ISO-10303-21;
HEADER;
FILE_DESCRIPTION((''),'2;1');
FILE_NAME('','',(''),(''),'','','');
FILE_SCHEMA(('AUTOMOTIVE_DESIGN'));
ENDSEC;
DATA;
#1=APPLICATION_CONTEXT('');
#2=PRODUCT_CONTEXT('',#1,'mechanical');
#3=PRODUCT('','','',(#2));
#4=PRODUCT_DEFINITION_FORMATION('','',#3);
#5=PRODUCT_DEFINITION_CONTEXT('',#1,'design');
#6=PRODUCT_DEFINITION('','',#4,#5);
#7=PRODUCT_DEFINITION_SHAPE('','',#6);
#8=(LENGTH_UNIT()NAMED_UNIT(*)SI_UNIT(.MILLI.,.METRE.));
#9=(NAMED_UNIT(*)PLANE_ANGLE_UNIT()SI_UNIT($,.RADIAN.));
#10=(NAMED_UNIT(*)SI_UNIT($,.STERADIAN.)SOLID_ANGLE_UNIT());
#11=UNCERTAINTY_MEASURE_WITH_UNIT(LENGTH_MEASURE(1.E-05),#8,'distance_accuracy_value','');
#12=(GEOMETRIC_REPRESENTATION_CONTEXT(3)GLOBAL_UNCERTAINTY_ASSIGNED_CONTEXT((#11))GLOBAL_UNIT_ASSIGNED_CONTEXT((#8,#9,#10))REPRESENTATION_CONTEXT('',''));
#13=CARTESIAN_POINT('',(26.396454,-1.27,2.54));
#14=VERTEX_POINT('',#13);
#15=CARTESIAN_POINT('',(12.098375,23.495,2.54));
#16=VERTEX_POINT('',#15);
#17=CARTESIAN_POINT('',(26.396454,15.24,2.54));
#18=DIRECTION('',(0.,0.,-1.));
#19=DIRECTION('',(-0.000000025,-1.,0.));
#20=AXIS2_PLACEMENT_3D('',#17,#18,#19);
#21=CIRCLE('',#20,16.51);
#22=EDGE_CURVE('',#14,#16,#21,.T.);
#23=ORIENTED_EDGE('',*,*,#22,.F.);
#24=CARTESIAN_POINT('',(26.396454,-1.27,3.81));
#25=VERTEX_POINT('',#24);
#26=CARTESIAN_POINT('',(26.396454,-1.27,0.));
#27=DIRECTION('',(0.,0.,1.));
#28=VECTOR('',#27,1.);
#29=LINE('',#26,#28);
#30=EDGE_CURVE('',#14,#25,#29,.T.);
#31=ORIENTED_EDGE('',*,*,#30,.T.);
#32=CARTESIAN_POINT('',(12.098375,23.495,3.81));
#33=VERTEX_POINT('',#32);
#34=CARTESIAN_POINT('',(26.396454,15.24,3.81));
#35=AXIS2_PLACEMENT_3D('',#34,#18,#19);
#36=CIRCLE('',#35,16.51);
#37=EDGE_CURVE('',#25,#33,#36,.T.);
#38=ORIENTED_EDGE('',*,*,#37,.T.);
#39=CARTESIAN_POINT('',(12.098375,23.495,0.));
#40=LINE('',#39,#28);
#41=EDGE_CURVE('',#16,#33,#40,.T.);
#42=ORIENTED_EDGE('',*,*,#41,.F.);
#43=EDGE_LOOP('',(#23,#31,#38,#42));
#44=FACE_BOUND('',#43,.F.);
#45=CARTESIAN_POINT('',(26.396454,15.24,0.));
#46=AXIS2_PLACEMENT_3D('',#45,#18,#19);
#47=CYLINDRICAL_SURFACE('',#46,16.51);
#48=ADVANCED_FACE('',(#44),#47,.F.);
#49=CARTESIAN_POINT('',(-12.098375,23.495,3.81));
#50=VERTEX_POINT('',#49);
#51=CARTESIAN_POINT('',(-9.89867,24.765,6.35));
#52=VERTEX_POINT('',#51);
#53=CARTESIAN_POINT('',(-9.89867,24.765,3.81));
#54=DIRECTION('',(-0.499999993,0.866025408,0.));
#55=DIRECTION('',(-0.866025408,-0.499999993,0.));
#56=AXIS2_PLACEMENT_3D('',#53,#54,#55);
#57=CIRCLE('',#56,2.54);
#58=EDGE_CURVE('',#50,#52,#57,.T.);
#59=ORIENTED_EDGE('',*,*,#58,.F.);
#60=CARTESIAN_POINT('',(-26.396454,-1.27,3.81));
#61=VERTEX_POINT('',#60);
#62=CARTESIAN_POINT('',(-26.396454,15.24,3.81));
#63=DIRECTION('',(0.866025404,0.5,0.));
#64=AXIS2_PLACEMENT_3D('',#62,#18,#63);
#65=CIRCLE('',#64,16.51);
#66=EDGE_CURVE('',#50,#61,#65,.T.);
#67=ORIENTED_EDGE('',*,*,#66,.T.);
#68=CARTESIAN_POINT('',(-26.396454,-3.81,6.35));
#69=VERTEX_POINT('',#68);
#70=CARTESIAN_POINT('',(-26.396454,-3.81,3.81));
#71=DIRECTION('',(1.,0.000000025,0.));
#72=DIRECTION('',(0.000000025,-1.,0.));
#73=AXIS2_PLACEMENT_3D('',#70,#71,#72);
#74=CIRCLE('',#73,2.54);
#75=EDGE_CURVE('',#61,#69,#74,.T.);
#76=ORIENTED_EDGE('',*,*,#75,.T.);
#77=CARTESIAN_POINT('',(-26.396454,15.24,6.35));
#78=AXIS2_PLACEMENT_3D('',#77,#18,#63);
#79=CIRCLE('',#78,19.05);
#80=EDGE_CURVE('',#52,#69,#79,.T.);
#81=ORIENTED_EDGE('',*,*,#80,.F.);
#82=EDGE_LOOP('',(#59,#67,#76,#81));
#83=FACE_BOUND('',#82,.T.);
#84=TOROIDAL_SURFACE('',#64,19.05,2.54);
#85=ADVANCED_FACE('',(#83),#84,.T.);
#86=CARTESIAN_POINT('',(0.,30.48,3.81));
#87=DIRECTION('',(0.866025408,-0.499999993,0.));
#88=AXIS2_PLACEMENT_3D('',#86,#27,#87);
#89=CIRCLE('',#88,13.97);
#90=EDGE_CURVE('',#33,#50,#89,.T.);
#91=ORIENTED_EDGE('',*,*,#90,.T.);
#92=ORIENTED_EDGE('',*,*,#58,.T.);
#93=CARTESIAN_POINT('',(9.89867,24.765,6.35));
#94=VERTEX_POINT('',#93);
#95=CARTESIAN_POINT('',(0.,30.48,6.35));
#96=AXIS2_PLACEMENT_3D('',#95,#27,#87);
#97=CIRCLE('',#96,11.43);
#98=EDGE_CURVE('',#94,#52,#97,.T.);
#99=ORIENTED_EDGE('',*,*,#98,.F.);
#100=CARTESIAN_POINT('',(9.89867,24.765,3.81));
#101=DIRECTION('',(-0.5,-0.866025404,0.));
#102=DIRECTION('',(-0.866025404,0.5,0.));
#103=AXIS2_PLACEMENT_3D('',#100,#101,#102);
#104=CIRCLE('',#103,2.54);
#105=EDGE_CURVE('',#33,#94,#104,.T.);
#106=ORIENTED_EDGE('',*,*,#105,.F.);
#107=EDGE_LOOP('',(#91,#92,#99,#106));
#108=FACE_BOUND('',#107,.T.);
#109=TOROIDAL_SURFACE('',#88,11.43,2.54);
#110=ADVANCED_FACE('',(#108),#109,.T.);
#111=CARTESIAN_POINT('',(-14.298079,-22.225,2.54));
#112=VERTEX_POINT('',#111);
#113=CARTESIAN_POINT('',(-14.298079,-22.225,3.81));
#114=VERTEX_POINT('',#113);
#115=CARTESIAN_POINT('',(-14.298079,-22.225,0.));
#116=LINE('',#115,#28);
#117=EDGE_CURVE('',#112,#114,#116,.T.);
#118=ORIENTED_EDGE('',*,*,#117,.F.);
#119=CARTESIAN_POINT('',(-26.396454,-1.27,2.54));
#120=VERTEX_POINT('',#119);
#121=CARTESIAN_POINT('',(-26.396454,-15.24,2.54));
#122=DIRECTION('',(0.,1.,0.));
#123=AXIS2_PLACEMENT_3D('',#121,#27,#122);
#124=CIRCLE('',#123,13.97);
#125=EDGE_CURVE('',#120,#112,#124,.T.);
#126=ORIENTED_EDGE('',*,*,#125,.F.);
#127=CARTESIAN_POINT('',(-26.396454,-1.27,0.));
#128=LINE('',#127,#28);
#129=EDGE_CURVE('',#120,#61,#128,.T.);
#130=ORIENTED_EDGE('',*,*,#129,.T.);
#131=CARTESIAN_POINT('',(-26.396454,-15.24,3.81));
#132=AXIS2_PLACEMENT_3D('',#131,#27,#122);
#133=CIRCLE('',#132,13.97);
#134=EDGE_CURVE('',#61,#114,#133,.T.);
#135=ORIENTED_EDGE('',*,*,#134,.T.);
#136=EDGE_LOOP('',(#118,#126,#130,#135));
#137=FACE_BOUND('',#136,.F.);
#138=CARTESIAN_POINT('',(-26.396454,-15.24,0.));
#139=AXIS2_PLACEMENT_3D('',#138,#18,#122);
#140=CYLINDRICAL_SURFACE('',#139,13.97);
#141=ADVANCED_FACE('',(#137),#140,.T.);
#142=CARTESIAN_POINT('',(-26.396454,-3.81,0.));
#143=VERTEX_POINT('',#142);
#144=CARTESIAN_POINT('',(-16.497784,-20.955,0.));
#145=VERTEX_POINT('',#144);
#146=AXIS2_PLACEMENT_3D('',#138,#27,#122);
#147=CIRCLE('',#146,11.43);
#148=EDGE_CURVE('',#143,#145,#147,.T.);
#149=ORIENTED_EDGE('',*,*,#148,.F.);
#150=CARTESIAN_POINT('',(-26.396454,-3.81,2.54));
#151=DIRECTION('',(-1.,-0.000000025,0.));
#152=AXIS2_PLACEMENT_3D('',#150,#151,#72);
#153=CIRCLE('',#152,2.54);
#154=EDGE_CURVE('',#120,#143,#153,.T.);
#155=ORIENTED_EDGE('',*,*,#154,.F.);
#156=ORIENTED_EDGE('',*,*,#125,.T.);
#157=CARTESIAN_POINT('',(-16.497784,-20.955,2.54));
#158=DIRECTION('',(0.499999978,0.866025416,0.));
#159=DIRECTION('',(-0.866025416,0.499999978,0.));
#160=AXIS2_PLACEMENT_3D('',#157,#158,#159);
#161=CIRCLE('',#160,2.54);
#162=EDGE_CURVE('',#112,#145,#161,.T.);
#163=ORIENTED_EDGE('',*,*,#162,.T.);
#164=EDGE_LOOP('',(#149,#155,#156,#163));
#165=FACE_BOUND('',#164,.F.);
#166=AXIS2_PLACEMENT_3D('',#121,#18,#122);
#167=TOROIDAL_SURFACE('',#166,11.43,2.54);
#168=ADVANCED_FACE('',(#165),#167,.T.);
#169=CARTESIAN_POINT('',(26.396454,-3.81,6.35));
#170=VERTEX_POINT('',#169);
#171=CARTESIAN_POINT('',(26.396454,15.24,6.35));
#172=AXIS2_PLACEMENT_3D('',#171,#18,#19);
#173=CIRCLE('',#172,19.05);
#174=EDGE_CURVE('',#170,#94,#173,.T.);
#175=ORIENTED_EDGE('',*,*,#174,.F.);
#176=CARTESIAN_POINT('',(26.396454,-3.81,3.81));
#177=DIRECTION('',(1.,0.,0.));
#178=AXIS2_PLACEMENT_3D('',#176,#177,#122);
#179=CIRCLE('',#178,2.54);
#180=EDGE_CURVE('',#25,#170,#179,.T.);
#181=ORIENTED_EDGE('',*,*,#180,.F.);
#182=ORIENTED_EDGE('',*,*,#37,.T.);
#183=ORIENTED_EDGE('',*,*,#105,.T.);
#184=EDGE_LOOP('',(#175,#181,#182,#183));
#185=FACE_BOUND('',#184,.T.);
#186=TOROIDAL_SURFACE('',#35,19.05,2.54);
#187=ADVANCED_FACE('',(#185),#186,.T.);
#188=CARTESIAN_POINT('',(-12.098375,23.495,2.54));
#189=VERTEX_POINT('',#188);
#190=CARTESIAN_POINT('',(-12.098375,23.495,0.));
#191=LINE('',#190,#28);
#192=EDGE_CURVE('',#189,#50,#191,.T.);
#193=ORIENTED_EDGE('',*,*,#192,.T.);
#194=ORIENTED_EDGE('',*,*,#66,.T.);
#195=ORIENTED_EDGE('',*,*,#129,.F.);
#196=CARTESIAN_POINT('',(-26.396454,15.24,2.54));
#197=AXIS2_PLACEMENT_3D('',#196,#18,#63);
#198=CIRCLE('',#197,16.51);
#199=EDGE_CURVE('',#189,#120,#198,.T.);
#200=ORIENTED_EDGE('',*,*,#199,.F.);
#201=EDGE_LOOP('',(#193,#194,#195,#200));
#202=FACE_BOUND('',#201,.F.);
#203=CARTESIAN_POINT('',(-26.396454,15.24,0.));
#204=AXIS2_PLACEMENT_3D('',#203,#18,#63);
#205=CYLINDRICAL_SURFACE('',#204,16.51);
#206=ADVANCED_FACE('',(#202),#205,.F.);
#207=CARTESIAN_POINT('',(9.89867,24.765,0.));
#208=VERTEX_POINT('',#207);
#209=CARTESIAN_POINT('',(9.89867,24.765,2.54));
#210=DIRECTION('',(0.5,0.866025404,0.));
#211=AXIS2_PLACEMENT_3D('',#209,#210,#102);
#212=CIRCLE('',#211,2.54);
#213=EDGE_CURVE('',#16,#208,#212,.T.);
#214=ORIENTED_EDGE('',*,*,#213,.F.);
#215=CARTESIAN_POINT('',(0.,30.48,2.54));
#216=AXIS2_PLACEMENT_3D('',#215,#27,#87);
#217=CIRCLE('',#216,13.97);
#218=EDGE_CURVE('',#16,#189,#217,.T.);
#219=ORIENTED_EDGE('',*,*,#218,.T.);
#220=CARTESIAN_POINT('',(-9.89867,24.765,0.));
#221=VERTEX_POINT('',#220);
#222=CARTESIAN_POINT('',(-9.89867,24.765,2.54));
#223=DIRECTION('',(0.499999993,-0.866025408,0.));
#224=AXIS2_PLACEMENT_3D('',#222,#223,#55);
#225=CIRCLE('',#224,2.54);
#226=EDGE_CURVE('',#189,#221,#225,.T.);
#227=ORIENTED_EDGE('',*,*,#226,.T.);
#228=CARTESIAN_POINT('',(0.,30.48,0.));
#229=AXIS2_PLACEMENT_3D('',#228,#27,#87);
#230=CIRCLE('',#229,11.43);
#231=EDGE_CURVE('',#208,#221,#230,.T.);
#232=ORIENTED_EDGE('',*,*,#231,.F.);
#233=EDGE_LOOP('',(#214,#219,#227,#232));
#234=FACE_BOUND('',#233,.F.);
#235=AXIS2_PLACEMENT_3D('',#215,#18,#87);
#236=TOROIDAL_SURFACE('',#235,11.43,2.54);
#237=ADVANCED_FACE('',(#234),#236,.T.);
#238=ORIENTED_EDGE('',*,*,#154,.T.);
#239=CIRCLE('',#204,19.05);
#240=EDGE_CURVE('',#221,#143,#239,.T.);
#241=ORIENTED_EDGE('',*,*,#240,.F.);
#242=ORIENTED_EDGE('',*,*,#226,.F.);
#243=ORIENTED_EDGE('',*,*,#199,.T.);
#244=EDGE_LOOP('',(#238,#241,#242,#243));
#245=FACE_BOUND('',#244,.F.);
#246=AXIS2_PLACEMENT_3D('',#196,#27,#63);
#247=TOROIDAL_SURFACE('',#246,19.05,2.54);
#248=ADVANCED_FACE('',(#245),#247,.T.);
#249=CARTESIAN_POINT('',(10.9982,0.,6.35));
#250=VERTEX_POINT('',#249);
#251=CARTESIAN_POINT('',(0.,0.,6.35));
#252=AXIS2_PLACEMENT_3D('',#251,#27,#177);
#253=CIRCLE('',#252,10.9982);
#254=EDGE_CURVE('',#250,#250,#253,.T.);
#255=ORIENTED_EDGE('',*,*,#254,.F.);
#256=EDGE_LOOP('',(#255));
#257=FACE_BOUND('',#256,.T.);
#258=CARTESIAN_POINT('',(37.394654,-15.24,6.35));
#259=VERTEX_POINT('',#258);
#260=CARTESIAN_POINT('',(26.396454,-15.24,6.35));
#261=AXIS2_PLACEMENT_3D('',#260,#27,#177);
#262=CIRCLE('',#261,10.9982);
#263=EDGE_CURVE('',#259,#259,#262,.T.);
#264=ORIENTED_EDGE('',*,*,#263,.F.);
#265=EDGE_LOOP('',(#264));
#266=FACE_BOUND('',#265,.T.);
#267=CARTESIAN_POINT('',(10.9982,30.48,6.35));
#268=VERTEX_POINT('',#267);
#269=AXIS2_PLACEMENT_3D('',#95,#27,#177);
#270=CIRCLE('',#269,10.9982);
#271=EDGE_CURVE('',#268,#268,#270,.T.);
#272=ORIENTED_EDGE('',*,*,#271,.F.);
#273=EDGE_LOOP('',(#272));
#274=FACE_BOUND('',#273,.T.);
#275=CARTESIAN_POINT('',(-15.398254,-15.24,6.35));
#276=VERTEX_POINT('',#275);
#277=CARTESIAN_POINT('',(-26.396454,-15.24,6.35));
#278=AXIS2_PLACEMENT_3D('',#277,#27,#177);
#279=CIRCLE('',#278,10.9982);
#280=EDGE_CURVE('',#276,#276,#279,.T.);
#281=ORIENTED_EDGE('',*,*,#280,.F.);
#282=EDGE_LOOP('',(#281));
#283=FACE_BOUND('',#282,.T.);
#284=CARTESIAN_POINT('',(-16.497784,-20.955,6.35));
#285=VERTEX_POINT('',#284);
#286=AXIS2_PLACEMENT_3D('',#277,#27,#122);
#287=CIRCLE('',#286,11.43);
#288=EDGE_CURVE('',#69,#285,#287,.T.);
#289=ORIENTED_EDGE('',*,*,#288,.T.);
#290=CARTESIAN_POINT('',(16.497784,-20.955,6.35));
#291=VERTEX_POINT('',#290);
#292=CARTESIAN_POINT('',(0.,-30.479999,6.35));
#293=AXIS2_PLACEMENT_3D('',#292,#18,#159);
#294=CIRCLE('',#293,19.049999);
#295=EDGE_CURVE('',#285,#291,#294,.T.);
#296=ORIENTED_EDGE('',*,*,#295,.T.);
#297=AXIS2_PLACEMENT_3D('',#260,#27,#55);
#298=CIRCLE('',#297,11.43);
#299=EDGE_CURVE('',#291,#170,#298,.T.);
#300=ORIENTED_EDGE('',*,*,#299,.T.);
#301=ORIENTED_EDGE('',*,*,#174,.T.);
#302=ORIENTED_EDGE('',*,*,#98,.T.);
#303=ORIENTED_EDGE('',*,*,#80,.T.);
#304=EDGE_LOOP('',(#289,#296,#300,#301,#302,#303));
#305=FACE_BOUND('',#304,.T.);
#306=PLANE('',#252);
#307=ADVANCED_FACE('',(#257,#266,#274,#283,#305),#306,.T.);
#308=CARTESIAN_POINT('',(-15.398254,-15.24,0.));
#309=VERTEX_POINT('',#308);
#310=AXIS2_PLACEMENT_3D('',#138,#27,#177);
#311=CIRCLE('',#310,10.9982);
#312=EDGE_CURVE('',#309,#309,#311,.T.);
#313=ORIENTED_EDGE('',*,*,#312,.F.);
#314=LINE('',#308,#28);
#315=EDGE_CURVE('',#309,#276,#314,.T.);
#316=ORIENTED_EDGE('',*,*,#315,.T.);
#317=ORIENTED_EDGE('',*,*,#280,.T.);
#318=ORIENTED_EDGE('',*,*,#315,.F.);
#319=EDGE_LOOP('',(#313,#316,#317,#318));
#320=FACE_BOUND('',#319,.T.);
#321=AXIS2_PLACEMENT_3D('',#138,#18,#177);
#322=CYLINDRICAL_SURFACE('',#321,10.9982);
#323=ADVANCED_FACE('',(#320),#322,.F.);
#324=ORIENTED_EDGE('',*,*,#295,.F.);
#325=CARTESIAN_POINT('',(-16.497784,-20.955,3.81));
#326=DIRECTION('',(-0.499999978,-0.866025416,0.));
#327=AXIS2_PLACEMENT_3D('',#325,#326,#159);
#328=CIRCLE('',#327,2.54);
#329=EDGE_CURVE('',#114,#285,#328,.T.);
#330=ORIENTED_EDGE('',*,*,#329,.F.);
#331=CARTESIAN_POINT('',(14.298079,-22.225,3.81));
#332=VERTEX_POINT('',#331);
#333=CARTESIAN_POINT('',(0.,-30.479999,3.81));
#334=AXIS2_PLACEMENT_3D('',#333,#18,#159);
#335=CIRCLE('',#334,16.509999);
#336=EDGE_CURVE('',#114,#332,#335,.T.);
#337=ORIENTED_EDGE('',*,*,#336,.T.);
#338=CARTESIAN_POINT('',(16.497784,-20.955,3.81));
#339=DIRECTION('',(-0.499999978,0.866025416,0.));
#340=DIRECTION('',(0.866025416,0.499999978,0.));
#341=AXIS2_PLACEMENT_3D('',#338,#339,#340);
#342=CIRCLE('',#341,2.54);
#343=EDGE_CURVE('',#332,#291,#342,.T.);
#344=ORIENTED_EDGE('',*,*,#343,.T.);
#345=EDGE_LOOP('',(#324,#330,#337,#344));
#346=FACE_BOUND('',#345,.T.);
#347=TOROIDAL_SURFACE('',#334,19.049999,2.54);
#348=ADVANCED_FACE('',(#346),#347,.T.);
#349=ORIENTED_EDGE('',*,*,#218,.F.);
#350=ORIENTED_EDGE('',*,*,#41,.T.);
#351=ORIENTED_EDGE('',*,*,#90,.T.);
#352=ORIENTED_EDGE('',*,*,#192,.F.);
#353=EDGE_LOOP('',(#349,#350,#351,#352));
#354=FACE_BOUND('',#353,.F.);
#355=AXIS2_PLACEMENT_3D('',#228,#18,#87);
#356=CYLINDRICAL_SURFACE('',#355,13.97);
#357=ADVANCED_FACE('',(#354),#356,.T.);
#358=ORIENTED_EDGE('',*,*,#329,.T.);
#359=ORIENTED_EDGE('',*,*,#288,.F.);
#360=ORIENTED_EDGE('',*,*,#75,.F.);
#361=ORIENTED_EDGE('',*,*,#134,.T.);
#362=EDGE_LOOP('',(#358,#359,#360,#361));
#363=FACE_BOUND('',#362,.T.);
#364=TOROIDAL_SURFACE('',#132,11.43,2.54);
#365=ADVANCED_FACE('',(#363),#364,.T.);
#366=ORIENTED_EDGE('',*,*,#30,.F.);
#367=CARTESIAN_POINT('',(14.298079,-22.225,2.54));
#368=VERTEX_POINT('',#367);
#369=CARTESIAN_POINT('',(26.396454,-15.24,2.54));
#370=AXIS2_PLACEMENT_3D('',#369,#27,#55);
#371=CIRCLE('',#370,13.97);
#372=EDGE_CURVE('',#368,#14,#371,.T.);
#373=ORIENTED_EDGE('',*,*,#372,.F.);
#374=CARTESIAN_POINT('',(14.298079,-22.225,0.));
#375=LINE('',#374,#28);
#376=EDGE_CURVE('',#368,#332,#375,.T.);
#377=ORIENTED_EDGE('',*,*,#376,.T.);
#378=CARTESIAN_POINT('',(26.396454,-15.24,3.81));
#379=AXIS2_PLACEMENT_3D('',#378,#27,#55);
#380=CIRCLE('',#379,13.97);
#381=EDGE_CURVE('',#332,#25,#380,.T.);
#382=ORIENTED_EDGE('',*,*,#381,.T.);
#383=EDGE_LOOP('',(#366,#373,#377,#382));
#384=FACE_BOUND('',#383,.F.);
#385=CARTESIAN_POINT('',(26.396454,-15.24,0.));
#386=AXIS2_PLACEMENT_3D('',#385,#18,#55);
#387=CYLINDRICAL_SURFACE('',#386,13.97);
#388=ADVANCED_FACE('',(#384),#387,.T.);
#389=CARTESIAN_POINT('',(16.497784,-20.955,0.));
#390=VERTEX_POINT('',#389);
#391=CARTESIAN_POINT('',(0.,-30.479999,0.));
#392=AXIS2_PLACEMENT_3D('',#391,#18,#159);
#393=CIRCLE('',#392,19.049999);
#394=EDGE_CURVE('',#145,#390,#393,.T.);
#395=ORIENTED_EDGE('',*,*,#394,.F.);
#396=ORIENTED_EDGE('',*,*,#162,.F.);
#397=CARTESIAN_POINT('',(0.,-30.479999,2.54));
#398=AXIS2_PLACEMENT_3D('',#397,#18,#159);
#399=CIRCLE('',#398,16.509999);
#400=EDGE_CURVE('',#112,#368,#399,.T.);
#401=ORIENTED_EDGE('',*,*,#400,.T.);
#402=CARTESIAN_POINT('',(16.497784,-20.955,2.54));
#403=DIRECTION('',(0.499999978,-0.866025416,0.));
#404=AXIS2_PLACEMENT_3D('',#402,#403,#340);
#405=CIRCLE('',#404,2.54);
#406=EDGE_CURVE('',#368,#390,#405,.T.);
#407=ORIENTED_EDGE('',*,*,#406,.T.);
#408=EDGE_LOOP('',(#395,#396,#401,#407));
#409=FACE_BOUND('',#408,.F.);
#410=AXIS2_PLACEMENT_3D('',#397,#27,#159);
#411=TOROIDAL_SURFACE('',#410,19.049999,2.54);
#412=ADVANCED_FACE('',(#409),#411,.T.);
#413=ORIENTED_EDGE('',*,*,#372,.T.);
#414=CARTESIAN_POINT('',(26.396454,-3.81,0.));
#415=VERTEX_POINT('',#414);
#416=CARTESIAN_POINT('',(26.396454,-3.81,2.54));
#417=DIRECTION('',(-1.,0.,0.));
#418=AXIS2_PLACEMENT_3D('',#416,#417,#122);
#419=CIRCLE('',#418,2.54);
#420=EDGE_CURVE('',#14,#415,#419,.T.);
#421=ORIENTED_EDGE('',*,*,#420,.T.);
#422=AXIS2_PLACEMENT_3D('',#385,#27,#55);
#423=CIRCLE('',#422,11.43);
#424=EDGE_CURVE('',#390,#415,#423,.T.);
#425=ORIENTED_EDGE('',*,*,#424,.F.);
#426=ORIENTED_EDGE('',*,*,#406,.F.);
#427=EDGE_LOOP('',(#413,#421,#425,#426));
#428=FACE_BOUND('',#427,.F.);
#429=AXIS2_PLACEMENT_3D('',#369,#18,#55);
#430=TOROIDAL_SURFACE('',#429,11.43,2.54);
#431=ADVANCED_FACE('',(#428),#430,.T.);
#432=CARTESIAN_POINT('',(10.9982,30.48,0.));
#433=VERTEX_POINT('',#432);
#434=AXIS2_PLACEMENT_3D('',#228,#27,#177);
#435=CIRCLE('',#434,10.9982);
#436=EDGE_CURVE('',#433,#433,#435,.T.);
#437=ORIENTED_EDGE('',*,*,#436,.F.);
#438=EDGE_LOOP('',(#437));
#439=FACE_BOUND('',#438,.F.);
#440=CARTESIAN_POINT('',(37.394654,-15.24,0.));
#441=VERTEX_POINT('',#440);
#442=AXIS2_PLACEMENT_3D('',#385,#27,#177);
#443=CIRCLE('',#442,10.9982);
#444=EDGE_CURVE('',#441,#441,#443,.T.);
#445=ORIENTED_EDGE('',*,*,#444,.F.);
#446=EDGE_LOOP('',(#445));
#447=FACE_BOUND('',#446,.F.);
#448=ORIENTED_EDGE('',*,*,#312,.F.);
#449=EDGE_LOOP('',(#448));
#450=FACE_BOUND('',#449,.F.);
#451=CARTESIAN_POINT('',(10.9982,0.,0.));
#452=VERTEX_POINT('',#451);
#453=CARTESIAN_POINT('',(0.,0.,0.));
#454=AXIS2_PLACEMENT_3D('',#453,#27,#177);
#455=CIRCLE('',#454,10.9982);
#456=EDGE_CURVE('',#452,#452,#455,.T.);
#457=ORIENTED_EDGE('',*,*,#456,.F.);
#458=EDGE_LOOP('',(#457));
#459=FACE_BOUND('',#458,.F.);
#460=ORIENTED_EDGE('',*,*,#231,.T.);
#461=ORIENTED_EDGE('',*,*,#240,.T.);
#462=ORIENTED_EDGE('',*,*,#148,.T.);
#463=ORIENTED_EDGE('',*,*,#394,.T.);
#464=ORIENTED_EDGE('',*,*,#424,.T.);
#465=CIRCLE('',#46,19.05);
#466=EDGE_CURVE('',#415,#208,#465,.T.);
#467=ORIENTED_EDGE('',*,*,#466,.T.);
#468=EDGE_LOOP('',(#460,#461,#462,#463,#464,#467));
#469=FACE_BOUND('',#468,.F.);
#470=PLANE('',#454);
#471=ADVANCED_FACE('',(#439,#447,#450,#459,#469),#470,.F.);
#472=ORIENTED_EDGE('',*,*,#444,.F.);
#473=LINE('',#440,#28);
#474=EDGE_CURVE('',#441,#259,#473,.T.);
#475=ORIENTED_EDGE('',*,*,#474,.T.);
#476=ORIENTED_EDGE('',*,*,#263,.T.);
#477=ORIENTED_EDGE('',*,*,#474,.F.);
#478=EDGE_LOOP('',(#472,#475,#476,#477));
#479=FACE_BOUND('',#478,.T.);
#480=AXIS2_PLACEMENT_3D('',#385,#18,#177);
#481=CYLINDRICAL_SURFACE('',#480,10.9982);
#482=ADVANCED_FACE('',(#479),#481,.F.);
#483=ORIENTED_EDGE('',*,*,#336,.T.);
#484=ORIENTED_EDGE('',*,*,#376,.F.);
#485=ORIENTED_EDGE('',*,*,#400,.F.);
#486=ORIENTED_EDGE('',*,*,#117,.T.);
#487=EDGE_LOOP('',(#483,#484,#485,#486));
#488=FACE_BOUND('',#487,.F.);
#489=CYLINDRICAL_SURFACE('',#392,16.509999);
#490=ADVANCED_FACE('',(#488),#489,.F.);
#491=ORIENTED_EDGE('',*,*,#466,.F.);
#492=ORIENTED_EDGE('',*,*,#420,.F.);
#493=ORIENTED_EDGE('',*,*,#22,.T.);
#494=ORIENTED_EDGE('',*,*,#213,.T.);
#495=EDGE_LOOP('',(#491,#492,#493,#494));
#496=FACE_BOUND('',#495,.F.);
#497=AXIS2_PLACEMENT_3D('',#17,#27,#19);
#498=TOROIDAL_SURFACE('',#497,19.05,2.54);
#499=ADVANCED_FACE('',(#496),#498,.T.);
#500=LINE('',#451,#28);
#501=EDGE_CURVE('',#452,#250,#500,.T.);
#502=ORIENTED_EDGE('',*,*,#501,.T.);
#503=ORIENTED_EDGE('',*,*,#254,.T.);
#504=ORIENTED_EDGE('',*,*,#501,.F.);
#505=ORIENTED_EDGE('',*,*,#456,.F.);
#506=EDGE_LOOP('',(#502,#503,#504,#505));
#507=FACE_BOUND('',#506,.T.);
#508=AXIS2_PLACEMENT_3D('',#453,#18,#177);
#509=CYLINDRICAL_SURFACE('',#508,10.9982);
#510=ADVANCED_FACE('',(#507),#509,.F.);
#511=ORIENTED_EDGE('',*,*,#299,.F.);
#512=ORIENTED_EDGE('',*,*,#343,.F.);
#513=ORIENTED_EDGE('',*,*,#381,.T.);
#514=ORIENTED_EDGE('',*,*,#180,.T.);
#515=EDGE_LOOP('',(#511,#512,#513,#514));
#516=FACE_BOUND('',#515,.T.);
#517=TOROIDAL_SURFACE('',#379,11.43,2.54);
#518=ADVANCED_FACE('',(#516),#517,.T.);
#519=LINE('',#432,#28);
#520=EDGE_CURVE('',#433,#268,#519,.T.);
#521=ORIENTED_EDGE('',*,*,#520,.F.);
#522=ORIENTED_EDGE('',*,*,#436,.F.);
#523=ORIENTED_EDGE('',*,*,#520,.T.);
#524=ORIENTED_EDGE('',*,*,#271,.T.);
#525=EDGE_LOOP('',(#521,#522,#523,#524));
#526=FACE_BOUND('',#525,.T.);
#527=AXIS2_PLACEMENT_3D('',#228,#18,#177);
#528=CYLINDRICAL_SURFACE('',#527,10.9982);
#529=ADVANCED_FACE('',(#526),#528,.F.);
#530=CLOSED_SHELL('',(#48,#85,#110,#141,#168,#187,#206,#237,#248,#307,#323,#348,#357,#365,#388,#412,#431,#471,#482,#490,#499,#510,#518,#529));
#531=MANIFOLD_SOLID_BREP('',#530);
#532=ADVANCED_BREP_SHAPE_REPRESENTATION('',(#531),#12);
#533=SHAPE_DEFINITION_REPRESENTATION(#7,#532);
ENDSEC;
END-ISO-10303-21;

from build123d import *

# Parameters (mm, degrees)
F1_R     = 10.9982
F2_DEPTH = 6.35
F3_R     = 2.54


with BuildPart() as f2:
    # F1 (on Top) → F2 (new body)
    with BuildSketch(Plane.XY):
        with BuildLine():
            ThreePointArc((26.396454, -1.27), (12.098375, 6.985), (12.098375, 23.495))
            ThreePointArc((12.098375, 23.495), (0, 44.45), (-12.098375, 23.495))
            ThreePointArc((-12.098375, 23.495), (-12.098375, 6.985), (-26.396454, -1.27))
            ThreePointArc((-26.396454, -1.27), (-38.494829, -22.225), (-14.298079, -22.225))
            ThreePointArc((-14.298079, -22.225), (0, -13.97), (14.298079, -22.225))
            ThreePointArc((14.298079, -22.225), (38.494829, -22.225), (26.396454, -1.27))
        make_face()
        with Locations((-26.396454, -15.24)):
            Circle(F1_R, mode=Mode.SUBTRACT)
        with Locations((26.396454, -15.24)):
            Circle(F1_R, mode=Mode.SUBTRACT)
        Circle(F1_R, mode=Mode.SUBTRACT)
        with Locations((0, 30.48)):
            Circle(F1_R, mode=Mode.SUBTRACT)
    extrude(amount=F2_DEPTH)

    # F3
    f3_edges = [f2.edges().sort_by_distance(p)[0] for p in [
        (0, -13.97, 6.35),
        (0, -13.97, 0),
    ]]
    fillet(f3_edges, radius=F3_R)


solid = f2.part
